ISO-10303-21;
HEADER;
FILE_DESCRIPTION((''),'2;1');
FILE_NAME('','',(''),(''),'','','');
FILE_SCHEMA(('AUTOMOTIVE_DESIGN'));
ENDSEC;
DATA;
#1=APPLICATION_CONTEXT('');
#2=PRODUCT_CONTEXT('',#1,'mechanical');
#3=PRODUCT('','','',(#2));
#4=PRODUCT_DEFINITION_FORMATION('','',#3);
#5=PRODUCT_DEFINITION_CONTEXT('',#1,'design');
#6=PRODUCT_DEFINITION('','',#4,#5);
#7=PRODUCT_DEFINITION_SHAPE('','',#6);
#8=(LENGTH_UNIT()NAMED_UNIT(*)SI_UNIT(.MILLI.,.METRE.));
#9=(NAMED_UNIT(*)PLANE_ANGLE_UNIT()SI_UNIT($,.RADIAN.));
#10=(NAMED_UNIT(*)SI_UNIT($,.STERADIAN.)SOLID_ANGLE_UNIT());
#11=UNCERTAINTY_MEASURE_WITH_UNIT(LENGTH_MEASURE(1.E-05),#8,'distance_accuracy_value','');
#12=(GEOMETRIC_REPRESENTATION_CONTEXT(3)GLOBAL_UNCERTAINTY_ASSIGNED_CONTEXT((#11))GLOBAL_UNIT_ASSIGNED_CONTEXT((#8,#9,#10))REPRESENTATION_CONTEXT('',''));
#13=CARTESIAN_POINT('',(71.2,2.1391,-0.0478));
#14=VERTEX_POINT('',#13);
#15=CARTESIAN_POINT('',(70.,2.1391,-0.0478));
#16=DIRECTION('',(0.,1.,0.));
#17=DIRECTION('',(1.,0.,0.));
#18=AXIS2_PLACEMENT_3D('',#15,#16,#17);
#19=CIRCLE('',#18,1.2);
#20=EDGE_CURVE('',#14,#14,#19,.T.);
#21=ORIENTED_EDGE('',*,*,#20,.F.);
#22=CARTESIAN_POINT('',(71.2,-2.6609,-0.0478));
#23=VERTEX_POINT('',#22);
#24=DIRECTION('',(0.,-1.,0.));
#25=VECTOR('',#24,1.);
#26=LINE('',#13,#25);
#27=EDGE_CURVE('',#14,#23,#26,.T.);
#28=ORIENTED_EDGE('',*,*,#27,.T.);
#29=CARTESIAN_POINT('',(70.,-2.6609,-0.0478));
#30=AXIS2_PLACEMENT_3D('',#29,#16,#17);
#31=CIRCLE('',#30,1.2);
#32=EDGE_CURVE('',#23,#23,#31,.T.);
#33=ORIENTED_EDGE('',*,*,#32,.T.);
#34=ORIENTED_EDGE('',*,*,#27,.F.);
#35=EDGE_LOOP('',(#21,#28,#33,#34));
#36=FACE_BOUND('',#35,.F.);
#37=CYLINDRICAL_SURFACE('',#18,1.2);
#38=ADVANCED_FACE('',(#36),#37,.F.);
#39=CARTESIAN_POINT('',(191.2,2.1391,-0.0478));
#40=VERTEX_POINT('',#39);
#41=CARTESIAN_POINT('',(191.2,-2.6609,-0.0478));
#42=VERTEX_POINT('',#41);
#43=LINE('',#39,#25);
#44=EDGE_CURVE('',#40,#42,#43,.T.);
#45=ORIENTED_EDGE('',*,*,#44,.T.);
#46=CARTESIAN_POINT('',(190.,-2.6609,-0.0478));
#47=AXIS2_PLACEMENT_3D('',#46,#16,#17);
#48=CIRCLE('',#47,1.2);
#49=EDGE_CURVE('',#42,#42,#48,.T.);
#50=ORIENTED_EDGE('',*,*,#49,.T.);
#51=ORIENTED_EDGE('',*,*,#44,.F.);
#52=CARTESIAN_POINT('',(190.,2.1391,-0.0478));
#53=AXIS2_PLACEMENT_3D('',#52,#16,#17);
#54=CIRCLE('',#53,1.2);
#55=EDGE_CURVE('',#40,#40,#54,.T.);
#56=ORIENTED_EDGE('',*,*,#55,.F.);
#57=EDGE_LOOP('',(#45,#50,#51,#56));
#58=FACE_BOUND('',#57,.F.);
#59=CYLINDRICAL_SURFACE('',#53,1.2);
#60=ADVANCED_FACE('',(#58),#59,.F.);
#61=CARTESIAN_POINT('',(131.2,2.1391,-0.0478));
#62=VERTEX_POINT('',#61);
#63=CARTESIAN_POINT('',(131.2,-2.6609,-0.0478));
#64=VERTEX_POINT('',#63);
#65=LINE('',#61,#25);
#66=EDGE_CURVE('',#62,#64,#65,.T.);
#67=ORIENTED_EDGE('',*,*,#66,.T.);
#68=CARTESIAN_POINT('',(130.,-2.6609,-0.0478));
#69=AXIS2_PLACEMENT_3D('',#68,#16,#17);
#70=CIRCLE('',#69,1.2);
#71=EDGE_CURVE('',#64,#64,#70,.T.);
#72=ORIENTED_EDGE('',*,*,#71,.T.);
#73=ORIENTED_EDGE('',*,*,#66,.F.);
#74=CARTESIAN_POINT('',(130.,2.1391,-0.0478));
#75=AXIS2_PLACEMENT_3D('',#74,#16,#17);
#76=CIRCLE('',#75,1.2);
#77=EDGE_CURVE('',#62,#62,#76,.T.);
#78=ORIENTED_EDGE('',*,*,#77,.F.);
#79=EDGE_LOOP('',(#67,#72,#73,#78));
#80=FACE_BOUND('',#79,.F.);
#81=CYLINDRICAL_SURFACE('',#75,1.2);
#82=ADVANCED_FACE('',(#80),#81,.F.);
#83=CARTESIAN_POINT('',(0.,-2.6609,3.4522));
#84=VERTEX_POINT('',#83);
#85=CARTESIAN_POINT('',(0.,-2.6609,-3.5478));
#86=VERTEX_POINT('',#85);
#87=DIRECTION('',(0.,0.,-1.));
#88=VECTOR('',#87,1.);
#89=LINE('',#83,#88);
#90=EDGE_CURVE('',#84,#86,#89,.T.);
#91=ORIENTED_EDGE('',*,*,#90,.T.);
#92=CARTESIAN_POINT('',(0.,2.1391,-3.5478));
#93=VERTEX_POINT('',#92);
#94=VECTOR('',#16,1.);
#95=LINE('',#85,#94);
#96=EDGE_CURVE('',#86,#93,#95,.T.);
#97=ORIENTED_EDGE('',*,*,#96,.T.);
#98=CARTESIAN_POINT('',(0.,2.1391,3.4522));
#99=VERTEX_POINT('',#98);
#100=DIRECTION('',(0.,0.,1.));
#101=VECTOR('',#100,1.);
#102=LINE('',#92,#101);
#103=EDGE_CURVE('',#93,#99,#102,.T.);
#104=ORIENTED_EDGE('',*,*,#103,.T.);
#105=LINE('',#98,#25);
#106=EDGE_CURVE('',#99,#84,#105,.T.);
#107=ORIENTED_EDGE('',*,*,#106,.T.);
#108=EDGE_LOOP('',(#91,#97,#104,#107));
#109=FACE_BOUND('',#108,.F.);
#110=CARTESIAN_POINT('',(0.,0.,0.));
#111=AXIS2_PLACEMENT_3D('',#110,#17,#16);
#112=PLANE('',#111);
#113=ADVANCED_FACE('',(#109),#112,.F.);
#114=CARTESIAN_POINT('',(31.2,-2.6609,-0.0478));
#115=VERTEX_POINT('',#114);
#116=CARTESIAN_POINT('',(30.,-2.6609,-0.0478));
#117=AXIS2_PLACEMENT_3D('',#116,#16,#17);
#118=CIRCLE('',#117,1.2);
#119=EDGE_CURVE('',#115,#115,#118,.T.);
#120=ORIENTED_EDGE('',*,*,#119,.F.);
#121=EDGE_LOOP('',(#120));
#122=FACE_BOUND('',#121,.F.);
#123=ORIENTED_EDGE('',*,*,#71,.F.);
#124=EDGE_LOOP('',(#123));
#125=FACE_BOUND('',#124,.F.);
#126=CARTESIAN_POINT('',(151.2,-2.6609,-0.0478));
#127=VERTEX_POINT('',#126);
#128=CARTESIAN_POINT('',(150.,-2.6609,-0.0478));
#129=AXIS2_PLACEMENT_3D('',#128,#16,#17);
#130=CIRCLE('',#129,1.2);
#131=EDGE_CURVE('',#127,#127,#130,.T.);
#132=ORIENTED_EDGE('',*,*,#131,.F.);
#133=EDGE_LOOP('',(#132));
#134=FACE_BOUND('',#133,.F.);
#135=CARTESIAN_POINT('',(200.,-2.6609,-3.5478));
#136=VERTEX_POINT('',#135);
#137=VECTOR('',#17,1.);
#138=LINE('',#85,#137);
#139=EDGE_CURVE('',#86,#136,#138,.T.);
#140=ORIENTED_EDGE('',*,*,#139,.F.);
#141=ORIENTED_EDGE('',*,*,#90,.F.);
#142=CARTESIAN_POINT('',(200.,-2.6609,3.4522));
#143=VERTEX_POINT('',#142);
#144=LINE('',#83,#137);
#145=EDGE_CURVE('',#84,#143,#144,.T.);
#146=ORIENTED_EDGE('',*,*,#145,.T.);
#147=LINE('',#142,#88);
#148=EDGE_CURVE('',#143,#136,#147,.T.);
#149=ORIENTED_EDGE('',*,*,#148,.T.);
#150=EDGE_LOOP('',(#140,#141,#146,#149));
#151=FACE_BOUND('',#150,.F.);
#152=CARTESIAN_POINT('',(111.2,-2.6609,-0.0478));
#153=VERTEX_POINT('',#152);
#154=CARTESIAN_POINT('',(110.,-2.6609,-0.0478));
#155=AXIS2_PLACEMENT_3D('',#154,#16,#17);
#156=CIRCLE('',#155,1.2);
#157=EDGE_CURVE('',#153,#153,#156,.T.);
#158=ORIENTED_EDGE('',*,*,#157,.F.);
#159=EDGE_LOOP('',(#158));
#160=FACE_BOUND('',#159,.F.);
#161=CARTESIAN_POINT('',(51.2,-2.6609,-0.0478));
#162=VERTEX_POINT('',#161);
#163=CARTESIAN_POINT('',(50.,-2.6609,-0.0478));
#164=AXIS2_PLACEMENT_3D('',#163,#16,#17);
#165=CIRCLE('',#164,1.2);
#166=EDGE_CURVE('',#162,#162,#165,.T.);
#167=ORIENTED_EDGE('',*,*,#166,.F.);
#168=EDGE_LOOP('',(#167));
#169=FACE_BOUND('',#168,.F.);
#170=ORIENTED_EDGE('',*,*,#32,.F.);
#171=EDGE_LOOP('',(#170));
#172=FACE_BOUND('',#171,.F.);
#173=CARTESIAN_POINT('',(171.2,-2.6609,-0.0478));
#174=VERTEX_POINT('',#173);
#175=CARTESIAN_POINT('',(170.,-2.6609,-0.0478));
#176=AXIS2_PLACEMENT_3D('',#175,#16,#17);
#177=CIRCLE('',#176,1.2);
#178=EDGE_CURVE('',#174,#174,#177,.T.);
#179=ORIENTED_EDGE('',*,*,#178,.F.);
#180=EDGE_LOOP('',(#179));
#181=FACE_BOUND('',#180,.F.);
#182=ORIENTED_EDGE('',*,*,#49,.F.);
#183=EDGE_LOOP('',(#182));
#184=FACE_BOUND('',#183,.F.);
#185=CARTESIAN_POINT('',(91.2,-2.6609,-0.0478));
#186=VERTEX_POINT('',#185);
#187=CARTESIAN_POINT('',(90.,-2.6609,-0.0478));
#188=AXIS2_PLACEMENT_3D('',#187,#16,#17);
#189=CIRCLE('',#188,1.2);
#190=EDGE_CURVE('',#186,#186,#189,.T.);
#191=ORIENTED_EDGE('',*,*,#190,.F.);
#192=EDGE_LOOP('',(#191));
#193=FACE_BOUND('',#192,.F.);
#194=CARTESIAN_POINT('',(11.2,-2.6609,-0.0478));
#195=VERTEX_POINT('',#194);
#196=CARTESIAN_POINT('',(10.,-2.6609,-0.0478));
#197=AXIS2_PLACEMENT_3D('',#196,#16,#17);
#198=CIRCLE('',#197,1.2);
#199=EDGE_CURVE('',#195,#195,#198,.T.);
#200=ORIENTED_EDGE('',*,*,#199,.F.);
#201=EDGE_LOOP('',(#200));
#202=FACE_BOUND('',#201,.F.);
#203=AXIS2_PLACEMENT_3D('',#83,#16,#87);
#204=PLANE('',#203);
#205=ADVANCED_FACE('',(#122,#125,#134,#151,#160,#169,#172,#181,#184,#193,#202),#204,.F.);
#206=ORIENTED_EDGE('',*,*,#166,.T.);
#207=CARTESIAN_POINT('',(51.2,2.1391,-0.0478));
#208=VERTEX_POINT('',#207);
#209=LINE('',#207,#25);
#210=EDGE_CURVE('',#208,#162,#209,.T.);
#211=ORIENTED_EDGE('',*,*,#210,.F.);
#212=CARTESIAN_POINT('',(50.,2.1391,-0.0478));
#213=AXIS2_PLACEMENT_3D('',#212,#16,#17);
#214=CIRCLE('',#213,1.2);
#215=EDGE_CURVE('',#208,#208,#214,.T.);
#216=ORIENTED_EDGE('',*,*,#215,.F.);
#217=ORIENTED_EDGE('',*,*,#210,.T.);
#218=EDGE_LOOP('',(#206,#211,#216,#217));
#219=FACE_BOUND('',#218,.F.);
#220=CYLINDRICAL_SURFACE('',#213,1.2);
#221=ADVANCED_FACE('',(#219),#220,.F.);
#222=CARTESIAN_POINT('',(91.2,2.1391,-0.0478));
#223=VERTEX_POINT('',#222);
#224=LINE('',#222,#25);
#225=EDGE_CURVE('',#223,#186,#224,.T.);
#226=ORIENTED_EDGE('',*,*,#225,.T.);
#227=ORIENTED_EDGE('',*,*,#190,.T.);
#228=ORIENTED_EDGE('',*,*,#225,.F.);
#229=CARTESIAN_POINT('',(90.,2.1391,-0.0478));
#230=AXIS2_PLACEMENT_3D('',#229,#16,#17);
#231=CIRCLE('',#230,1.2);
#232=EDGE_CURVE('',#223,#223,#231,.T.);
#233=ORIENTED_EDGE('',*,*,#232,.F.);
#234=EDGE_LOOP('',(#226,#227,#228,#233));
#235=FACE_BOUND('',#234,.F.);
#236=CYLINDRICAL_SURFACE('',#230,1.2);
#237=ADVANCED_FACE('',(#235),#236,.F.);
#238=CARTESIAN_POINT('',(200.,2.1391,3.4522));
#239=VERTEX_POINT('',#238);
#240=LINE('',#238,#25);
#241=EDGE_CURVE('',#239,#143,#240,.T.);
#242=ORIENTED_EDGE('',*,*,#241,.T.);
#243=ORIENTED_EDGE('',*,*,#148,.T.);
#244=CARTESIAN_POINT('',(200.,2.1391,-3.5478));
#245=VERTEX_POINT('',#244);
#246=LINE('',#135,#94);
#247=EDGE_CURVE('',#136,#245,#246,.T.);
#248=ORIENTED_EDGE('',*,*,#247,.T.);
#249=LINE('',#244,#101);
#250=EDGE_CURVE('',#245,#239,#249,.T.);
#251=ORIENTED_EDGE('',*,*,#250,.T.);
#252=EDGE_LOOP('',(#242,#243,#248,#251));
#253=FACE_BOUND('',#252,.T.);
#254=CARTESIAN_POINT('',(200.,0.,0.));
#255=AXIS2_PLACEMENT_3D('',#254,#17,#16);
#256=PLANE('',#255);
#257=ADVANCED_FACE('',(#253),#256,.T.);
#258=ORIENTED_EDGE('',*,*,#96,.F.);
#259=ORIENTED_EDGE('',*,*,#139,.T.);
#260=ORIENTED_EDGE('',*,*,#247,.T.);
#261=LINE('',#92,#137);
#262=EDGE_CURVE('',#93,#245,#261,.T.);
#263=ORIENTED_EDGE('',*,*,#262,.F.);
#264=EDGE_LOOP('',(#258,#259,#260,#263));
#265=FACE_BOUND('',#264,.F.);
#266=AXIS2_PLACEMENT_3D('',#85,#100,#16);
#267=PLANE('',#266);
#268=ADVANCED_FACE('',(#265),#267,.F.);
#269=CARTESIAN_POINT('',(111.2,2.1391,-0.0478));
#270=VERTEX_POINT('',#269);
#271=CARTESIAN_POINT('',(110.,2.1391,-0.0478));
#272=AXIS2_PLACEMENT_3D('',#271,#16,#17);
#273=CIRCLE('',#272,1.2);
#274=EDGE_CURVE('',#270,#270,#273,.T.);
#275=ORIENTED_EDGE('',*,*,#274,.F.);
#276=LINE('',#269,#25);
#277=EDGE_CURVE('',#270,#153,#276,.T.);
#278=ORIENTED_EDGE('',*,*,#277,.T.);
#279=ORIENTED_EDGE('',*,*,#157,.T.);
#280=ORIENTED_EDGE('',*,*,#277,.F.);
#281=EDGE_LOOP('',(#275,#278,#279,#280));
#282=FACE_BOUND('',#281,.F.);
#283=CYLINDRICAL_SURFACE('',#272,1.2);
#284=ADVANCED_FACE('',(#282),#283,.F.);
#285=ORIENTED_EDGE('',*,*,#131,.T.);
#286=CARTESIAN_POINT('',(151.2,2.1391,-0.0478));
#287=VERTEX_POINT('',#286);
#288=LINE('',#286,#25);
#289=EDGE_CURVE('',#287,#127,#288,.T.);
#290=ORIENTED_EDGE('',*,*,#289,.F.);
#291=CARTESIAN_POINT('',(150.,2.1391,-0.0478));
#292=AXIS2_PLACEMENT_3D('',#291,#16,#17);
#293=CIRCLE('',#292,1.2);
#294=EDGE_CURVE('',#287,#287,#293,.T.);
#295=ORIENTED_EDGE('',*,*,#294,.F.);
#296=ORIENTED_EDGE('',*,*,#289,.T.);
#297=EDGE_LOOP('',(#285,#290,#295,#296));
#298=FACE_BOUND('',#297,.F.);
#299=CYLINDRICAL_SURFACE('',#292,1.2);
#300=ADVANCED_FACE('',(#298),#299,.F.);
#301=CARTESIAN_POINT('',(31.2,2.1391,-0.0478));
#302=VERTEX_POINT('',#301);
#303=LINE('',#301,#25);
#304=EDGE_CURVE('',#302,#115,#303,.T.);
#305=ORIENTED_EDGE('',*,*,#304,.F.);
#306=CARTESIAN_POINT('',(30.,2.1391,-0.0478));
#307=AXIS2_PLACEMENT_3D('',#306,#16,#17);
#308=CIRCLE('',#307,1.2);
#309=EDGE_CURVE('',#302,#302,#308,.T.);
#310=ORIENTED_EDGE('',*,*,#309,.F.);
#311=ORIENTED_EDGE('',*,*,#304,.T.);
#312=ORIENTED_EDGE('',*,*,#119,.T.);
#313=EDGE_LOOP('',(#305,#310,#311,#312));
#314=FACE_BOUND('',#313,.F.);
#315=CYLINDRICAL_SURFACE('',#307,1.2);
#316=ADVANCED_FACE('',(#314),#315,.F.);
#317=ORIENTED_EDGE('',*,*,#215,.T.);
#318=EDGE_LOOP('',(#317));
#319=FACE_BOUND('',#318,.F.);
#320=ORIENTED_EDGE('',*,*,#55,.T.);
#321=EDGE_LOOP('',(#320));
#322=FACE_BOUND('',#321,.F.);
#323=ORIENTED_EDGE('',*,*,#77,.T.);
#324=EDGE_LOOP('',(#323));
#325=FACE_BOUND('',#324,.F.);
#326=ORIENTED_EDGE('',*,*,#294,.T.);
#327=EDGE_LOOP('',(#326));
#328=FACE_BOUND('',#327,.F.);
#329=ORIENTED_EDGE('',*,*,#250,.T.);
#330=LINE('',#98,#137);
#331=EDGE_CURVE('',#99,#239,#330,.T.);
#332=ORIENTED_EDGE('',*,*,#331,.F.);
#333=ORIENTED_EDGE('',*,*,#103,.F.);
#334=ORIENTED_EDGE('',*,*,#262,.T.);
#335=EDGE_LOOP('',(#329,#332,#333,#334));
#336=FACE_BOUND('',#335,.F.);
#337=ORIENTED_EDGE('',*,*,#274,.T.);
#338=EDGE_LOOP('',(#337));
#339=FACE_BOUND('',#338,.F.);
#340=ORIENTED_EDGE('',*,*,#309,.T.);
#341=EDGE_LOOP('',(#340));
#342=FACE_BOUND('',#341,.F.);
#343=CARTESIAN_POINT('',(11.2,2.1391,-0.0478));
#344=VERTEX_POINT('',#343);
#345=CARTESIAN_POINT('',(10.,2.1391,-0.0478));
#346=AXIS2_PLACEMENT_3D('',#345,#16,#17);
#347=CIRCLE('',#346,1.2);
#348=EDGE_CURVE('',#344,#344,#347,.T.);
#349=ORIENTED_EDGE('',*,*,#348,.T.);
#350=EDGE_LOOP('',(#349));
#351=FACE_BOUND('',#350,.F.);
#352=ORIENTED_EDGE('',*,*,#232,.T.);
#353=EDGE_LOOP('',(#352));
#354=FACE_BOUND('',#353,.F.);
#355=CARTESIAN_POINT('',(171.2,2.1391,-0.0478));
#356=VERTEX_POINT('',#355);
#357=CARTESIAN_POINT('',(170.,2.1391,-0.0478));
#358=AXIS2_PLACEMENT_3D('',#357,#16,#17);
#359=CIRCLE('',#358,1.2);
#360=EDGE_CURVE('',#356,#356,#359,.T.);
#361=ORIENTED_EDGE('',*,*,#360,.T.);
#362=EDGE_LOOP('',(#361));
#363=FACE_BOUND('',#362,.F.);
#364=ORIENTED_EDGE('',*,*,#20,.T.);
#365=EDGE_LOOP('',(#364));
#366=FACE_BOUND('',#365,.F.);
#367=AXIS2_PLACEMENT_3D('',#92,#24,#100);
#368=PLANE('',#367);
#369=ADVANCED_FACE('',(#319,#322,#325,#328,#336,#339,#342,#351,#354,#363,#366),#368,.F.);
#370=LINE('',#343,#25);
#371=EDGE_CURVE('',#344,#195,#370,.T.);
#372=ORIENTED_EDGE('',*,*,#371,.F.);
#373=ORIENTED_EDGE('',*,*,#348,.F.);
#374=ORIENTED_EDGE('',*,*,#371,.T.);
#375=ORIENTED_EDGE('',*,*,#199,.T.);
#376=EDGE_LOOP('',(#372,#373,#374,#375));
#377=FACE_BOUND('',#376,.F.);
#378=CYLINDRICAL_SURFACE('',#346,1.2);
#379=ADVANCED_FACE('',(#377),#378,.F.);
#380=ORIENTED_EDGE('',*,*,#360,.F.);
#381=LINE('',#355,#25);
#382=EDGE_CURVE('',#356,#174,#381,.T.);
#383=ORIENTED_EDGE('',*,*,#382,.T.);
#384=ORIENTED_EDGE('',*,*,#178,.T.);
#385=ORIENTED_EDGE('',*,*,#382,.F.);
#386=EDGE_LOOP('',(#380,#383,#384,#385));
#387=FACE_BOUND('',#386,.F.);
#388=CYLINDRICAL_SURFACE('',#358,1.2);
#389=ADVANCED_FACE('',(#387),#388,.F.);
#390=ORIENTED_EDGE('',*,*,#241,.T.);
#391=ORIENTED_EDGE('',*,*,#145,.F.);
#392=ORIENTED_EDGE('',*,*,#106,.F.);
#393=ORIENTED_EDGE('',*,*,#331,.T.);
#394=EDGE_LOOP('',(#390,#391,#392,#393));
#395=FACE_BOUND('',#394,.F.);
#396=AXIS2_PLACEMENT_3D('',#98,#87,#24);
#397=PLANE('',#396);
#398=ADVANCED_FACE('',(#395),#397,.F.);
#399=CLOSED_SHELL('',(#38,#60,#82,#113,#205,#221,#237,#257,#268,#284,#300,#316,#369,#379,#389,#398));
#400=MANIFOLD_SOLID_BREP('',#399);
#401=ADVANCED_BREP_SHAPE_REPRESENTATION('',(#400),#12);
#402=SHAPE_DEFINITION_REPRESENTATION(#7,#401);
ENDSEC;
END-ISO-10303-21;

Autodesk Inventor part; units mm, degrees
ref_plane "YZ Plane" through (0, 0, 0) normal (1, 0, 0) x (0, 1, 0)
ref_plane "XZ Plane" through (0, 0, 0) normal (0, 1, 0) x (-1, 0, 0)
ref_plane "XY Plane" through (0, 0, 0) normal (0, 0, 1) x (1, 0, 0)
sketch "Sketch1" plane through (0, 0, 0) normal (1, 0, 0) x (0, 1, 0)
  line L0 (2.1391, 3.4522) -> (-2.6609, 3.4522)
  line L1 (-2.6609, 3.4522) -> (-2.6609, -3.5478)
  line L2 (-2.6609, -3.5478) -> (2.1391, -3.5478)
  line L3 (2.1391, -3.5478) -> (2.1391, 3.4522)
  point P0 (0, 0)
  dimension "d0" = 4.8
  dimension "d1" = 7
extrude "Extrusion1" add sketch "Sketch1" along normal blind 200
sketch "Sketch2" plane through (0, 2.1391, 3.4522) normal (0, 1, 0) x (1, 0, 0)
  circle A0 centre (10, 3.5) radius 1.2
  line L0 (0, 7) -> (0, 0) projected
  line L1 (0, 0) -> (200, 0) projected
  circle A1 centre (30, 3.5) radius 1.2
  circle A2 centre (50, 3.5) radius 1.2
  circle A3 centre (70, 3.5) radius 1.2
  circle A4 centre (90, 3.5) radius 1.2
  circle A5 centre (110, 3.5) radius 1.2
  circle A6 centre (130, 3.5) radius 1.2
  circle A7 centre (150, 3.5) radius 1.2
  circle A8 centre (170, 3.5) radius 1.2
  circle A9 centre (190, 3.5) radius 1.2
  point P0 (0, 3.4522)
  dimension "d4" = 2.4
  dimension "d5" = 10
  dimension "d6" = 3.5
  dimension "d9" = 20
extrude "Extrusion2" cut sketch "Sketch2" against normal through all
properties part number "MGN7Cx200mm_rail"
